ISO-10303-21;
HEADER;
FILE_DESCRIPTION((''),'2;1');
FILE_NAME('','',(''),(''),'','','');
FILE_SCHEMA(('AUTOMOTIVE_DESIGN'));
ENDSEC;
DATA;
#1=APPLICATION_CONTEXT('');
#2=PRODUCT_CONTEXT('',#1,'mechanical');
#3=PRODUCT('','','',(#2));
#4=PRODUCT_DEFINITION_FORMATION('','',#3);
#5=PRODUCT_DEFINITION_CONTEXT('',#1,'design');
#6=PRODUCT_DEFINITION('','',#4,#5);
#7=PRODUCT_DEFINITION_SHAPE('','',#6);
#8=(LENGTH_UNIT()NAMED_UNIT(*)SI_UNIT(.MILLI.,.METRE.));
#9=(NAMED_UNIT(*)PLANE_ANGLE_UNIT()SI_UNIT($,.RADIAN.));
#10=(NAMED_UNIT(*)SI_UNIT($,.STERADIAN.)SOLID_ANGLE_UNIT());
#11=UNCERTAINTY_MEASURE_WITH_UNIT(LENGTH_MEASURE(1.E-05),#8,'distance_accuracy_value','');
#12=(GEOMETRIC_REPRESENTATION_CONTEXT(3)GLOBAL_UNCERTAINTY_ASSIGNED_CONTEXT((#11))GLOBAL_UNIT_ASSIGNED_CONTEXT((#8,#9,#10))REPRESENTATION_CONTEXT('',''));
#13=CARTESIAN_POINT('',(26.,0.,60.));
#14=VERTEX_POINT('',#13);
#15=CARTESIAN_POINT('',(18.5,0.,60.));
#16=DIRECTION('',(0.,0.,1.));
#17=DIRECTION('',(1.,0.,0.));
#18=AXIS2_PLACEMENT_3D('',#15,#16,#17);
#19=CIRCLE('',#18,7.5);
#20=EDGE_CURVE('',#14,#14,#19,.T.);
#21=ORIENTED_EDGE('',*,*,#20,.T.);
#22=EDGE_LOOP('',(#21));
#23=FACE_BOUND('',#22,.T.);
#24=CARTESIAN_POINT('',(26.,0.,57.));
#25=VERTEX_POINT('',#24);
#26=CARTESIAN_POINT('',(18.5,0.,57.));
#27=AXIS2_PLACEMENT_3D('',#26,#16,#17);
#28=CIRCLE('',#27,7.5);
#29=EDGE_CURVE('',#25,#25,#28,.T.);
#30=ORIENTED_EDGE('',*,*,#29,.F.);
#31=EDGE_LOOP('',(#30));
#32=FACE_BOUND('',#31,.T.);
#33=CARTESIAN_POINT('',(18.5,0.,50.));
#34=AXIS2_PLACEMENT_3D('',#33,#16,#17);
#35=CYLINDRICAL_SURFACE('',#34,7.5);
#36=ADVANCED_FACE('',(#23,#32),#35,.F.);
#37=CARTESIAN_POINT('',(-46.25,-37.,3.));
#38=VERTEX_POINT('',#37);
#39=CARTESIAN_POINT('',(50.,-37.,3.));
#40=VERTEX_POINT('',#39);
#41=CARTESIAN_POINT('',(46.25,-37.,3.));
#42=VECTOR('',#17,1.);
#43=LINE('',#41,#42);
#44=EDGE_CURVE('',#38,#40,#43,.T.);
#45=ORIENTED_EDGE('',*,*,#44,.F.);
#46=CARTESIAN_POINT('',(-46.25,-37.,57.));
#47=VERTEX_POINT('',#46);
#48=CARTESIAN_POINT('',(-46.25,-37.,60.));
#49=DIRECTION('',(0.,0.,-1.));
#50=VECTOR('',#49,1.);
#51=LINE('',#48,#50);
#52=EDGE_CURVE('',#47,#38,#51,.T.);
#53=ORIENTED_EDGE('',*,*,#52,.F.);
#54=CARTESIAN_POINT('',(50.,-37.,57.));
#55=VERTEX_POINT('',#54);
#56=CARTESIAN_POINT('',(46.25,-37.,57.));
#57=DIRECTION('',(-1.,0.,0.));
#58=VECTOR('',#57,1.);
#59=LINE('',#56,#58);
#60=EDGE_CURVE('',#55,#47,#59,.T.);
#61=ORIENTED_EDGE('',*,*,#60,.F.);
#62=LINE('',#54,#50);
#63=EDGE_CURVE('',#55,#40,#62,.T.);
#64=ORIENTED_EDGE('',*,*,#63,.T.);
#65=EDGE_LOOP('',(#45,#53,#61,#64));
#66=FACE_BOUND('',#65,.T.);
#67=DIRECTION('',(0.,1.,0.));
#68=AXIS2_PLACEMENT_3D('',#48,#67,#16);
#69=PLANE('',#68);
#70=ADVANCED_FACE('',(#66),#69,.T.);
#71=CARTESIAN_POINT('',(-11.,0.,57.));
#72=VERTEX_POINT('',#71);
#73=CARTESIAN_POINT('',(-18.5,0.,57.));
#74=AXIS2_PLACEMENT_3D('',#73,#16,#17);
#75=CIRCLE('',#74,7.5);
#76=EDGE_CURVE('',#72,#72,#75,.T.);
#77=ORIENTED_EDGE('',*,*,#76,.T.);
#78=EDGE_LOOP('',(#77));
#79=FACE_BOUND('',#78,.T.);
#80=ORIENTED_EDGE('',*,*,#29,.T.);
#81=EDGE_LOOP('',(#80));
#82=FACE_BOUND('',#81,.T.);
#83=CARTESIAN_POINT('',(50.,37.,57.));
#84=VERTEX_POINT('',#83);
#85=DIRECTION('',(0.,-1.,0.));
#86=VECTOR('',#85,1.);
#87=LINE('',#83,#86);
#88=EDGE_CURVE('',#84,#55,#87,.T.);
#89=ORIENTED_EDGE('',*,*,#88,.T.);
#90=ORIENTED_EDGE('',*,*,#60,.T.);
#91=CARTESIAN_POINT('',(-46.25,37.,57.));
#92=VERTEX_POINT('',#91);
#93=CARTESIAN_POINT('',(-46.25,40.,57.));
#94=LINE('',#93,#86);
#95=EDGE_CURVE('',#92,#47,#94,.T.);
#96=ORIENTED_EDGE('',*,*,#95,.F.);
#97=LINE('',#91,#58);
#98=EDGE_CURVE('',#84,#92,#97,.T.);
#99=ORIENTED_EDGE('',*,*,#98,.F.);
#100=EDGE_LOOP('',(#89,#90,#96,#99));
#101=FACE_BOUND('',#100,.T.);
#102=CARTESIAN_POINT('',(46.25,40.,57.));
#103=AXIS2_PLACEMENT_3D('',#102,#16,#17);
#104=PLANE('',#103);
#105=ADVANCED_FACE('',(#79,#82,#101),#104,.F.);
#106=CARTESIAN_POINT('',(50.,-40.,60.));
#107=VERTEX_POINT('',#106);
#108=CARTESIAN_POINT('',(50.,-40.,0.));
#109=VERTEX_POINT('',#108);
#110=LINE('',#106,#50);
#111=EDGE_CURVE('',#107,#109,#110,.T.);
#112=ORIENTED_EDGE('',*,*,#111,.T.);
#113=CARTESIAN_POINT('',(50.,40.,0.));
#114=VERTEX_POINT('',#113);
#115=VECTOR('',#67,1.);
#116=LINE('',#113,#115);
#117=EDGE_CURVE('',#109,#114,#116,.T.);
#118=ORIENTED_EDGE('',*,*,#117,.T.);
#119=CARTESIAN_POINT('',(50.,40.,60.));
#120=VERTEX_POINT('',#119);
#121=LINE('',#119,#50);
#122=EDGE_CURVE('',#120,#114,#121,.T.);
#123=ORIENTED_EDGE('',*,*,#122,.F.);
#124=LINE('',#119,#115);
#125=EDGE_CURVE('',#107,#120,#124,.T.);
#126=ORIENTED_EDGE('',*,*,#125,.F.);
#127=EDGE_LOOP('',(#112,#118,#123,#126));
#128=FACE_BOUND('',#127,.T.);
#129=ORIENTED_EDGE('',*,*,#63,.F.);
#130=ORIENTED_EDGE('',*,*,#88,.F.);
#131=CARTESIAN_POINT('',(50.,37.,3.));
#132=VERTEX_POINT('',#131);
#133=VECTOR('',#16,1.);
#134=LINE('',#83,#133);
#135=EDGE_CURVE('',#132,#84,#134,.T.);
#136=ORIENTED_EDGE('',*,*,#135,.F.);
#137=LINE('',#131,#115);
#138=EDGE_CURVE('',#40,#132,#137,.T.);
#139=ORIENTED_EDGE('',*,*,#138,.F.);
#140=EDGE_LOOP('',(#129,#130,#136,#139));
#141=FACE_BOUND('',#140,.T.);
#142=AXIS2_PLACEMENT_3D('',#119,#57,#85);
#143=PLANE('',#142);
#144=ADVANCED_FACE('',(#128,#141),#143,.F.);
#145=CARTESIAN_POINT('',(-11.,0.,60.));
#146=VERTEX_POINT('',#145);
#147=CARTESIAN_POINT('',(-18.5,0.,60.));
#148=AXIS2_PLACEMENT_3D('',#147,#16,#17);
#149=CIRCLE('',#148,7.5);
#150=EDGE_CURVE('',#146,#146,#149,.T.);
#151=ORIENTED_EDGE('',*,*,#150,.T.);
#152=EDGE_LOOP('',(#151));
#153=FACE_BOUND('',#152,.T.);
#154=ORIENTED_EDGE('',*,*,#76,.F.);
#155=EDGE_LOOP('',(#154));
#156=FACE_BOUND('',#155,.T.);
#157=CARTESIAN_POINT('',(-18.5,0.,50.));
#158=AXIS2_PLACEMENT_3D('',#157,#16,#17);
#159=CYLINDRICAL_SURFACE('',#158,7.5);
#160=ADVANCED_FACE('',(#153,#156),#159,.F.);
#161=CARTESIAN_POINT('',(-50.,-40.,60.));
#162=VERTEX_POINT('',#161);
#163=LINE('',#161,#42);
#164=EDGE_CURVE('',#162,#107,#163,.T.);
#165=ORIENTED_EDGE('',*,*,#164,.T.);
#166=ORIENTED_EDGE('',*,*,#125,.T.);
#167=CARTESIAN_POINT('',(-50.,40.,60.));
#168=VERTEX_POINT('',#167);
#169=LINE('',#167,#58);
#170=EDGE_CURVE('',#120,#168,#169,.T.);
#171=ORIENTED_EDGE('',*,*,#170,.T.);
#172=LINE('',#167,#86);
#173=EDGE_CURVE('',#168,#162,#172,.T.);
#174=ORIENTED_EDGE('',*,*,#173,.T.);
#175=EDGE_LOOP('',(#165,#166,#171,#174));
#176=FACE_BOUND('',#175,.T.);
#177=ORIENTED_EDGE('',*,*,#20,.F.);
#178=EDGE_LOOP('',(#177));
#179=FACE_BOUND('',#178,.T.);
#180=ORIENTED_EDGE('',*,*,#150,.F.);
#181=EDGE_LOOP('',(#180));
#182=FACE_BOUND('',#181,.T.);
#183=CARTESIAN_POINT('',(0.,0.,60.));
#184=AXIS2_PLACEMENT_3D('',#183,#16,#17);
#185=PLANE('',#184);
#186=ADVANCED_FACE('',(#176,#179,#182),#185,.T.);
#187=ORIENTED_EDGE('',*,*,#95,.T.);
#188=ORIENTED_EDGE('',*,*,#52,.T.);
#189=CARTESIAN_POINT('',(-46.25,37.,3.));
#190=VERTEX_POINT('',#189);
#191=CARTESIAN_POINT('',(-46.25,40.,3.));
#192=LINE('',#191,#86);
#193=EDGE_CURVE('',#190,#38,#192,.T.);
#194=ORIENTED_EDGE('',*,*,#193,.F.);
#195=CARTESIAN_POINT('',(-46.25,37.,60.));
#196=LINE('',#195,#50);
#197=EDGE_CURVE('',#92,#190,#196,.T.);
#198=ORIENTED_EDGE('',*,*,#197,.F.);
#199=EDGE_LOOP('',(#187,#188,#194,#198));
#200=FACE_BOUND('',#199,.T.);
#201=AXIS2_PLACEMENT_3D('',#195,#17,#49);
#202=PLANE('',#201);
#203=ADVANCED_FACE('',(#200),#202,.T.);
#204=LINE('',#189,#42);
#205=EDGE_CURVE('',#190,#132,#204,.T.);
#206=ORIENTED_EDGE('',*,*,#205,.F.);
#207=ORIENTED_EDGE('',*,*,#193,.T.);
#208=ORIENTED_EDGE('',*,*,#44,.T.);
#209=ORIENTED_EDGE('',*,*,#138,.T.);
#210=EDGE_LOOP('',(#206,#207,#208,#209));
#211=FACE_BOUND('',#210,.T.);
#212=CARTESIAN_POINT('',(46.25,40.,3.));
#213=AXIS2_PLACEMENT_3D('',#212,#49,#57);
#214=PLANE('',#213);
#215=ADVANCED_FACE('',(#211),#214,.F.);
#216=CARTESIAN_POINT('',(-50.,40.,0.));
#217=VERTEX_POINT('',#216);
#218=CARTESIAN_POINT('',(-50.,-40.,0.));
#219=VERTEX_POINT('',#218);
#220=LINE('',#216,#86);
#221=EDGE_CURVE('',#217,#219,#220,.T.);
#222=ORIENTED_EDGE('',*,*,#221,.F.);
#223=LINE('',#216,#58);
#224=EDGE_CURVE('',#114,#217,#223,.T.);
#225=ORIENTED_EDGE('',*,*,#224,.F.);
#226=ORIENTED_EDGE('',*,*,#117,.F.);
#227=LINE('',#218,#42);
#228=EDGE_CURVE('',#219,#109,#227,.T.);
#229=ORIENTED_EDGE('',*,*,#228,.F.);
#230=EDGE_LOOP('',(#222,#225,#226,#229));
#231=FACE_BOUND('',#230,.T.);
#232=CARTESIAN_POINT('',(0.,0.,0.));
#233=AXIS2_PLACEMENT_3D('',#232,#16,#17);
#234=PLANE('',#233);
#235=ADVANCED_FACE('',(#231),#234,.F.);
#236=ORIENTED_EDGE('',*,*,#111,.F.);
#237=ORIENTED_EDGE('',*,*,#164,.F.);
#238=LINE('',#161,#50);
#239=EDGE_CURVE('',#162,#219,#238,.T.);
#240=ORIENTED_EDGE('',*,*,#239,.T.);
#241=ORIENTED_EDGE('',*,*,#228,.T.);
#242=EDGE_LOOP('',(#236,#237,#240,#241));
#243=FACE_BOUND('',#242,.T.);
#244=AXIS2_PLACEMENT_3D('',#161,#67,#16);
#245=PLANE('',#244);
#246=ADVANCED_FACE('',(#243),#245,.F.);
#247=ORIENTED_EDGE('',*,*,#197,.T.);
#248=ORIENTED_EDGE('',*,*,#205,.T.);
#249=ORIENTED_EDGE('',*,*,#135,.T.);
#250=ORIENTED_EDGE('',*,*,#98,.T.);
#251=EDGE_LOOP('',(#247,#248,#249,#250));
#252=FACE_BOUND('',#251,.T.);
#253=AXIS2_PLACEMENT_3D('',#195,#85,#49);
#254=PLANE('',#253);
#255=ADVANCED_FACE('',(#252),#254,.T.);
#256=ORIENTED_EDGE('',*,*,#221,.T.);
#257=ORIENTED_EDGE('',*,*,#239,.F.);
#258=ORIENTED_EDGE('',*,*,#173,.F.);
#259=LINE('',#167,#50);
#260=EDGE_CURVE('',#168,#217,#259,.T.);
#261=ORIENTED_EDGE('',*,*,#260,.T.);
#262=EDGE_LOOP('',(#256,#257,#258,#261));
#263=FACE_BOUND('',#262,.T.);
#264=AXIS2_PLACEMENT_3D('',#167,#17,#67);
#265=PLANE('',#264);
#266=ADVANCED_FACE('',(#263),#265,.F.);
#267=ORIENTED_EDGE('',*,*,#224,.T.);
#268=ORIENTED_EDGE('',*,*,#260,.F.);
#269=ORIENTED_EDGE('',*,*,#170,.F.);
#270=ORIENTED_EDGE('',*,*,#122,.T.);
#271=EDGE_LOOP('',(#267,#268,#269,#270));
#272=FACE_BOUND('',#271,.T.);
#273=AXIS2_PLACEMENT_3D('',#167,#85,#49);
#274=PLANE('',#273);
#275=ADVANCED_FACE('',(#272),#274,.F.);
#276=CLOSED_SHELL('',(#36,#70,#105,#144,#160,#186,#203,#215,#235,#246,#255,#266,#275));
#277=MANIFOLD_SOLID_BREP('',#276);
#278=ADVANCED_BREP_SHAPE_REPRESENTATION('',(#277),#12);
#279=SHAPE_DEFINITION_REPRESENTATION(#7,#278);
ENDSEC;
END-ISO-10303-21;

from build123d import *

# Parameters (mm, degrees)
SKETCH1_W           = 100
SKETCH1_H           = 80
SKETCH1_W_2         = 92.5
SKETCH1_H_2         = 74
BOSS_EXTRUDE1_DEPTH = 60
SKETCH2_W           = 92.5
SKETCH2_H           = 3
BOSS_EXTRUDE2_DEPTH = 77
SKETCH3_W           = 92.5
SKETCH3_H           = 3
BOSS_EXTRUDE3_DEPTH = 77
SKETCH4_W           = 54
SKETCH4_H           = 74
CUT_EXTRUDE1_DEPTH  = 77
SKETCH7_R           = 7.5
CUT_EXTRUDE2_DEPTH  = 10


with BuildPart() as part:
    # Sketch1 → Boss-Extrude1 (new body)
    with BuildSketch(Plane.XY):
        Rectangle(SKETCH1_W, SKETCH1_H)
        Rectangle(SKETCH1_W_2, SKETCH1_H_2, mode=Mode.SUBTRACT)
    extrude(amount=BOSS_EXTRUDE1_DEPTH)

    # Sketch2 → Boss-Extrude2 (add)
    with BuildSketch(Plane(origin=(0, -37, 0), x_dir=(1, 0, 0), z_dir=(0, 1, 0))):
        with Locations((0, -1.5)):
            Rectangle(SKETCH2_W, SKETCH2_H)
    extrude(amount=BOSS_EXTRUDE2_DEPTH)

    # Sketch3 → Boss-Extrude3 (add)
    with BuildSketch(Plane(origin=(0, -37, 0), x_dir=(1, 0, 0), z_dir=(0, 1, 0))):
        with Locations((0, -58.5)):
            Rectangle(SKETCH3_W, SKETCH3_H)
    extrude(amount=BOSS_EXTRUDE3_DEPTH)

    # Sketch4 → Cut-Extrude1 (cut)
    with BuildSketch(Plane(origin=(50, 0, 0), x_dir=(0, 0, -1), z_dir=(1, 0, 0))):
        with Locations((-30, 0)):
            Rectangle(SKETCH4_W, SKETCH4_H)
    extrude(amount=-CUT_EXTRUDE1_DEPTH, mode=Mode.SUBTRACT)

    # Sketch7 → Cut-Extrude2 (cut)
    with BuildSketch(Plane.XY.offset(60)):
        with BuildLine():
            ThreePointArc((11, 0), (18.5, -7.5), (26, 0))
            Line((26, 0), (18.5, 0))
            Line((18.5, 0), (11, 0))
        make_face()
        with BuildLine():
            Line((18.5, 0), (26, 0))
            ThreePointArc((26, 0), (18.5, 7.5), (11, 0))
            Line((11, 0), (18.5, 0))
        make_face()
        with Locations((-18.5, 0)):
            Circle(SKETCH7_R)
    extrude(amount=-CUT_EXTRUDE2_DEPTH, mode=Mode.SUBTRACT)


solid = part.part
